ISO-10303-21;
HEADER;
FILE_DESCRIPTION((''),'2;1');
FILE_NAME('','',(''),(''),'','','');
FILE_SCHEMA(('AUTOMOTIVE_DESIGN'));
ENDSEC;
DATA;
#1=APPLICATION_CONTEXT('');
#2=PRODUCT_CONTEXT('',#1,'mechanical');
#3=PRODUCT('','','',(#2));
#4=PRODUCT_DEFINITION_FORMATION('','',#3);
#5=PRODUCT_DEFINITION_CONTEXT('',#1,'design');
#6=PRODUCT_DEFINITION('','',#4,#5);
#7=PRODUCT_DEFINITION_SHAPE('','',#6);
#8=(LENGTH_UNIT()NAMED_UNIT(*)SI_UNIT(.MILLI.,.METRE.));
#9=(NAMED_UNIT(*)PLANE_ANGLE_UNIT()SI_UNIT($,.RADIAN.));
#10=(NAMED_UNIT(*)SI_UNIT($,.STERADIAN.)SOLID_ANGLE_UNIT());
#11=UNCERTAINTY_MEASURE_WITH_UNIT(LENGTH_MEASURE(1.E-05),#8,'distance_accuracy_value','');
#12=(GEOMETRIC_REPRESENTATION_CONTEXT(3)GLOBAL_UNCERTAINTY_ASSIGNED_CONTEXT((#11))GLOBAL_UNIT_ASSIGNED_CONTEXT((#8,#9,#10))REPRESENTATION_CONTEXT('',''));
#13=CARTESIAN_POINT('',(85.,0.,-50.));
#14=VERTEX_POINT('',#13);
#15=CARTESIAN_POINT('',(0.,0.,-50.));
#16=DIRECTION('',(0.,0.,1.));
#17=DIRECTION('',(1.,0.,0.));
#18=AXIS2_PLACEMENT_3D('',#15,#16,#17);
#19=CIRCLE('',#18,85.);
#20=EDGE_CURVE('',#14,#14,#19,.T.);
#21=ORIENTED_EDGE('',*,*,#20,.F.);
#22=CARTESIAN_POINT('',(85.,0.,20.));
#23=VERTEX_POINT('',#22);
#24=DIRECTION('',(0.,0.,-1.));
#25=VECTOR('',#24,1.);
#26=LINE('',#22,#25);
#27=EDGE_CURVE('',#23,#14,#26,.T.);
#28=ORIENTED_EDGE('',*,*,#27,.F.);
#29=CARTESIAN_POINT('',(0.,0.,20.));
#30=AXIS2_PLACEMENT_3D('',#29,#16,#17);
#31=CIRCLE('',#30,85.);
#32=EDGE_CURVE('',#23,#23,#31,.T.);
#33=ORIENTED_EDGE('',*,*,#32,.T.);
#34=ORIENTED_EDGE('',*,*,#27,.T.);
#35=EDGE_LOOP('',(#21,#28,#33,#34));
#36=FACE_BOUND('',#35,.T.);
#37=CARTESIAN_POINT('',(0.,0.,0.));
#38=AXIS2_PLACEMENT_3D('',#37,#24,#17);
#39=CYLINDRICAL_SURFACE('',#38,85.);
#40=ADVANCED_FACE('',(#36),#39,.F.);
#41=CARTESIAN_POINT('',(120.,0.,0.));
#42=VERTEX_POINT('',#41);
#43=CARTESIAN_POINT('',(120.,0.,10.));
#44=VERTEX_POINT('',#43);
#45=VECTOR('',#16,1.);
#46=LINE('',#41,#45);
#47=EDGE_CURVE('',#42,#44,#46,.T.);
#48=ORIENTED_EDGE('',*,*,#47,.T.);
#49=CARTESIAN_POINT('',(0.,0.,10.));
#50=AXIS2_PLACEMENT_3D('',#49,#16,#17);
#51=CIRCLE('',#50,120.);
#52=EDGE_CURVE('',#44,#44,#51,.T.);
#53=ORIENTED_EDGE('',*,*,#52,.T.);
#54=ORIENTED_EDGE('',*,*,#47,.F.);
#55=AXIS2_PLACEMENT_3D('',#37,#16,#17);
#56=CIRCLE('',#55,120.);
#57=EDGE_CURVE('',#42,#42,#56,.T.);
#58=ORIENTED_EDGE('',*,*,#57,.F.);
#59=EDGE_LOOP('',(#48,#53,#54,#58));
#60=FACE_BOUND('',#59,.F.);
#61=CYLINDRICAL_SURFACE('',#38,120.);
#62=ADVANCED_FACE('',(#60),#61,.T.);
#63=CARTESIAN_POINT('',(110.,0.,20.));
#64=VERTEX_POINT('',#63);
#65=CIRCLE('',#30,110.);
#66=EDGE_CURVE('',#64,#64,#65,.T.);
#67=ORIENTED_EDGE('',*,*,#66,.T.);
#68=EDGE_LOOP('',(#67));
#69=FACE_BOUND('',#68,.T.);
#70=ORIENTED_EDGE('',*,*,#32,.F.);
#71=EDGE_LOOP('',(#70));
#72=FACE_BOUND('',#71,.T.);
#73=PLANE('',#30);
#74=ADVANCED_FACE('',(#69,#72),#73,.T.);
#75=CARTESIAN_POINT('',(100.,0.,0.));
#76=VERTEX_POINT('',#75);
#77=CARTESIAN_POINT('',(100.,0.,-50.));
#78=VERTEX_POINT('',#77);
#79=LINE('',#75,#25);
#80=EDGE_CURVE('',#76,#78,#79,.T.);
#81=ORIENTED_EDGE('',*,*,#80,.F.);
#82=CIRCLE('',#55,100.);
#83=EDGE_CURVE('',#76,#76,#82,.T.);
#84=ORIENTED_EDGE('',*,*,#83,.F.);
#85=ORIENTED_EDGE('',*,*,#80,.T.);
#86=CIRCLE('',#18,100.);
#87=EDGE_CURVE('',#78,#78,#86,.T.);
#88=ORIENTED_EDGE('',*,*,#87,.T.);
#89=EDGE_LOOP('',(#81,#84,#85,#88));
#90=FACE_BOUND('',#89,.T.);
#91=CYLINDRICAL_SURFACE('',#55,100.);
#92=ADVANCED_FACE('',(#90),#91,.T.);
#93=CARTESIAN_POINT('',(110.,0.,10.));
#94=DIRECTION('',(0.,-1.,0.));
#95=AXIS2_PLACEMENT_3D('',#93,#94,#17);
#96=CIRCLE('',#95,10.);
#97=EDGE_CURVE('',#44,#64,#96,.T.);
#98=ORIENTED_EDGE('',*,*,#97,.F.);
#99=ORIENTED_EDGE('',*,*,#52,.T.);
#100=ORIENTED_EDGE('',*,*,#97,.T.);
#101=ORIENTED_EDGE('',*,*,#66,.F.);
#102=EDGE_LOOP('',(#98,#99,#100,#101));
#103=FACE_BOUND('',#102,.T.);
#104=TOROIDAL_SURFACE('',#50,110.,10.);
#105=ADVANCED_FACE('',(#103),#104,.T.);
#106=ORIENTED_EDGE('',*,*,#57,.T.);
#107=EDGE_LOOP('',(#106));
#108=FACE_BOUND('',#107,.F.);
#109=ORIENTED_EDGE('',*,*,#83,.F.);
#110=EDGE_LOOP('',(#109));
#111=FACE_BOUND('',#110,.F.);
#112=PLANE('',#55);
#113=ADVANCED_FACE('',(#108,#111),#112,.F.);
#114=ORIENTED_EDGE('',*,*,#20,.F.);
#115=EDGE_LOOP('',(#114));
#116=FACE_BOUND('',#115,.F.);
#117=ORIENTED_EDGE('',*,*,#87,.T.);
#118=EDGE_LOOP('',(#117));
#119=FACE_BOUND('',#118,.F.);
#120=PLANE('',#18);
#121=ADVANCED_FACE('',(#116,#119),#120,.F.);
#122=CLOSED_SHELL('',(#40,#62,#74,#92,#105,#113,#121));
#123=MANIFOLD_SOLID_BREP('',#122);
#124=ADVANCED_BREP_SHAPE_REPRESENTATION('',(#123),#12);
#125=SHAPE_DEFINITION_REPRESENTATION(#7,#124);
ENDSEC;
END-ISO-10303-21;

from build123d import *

# Parameters (mm, degrees)
F0_R     = 100
F0_R_2   = 85
F1_DEPTH = 50
F0_R_3   = 120
F2_DEPTH = 20
F3_R     = 10


with BuildPart() as f1:
    # F0 (on Top) → F1 (new body)
    with BuildSketch(Plane.XY):
        Circle(F0_R)
        Circle(F0_R_2, mode=Mode.SUBTRACT)
    extrude(amount=-F1_DEPTH)

    # F0 (on Top) → F2 (join)
    with BuildSketch(Plane.XY):
        Circle(F0_R_3)
        Circle(F0_R, mode=Mode.SUBTRACT)
        Circle(F0_R)
        Circle(F0_R_2, mode=Mode.SUBTRACT)
    extrude(amount=F2_DEPTH)

    # F3
    f3_edges = [f1.edges().sort_by_distance(p)[0] for p in [
        (-120, 0, 20),
    ]]
    fillet(f3_edges, radius=F3_R)


solid = f1.part
